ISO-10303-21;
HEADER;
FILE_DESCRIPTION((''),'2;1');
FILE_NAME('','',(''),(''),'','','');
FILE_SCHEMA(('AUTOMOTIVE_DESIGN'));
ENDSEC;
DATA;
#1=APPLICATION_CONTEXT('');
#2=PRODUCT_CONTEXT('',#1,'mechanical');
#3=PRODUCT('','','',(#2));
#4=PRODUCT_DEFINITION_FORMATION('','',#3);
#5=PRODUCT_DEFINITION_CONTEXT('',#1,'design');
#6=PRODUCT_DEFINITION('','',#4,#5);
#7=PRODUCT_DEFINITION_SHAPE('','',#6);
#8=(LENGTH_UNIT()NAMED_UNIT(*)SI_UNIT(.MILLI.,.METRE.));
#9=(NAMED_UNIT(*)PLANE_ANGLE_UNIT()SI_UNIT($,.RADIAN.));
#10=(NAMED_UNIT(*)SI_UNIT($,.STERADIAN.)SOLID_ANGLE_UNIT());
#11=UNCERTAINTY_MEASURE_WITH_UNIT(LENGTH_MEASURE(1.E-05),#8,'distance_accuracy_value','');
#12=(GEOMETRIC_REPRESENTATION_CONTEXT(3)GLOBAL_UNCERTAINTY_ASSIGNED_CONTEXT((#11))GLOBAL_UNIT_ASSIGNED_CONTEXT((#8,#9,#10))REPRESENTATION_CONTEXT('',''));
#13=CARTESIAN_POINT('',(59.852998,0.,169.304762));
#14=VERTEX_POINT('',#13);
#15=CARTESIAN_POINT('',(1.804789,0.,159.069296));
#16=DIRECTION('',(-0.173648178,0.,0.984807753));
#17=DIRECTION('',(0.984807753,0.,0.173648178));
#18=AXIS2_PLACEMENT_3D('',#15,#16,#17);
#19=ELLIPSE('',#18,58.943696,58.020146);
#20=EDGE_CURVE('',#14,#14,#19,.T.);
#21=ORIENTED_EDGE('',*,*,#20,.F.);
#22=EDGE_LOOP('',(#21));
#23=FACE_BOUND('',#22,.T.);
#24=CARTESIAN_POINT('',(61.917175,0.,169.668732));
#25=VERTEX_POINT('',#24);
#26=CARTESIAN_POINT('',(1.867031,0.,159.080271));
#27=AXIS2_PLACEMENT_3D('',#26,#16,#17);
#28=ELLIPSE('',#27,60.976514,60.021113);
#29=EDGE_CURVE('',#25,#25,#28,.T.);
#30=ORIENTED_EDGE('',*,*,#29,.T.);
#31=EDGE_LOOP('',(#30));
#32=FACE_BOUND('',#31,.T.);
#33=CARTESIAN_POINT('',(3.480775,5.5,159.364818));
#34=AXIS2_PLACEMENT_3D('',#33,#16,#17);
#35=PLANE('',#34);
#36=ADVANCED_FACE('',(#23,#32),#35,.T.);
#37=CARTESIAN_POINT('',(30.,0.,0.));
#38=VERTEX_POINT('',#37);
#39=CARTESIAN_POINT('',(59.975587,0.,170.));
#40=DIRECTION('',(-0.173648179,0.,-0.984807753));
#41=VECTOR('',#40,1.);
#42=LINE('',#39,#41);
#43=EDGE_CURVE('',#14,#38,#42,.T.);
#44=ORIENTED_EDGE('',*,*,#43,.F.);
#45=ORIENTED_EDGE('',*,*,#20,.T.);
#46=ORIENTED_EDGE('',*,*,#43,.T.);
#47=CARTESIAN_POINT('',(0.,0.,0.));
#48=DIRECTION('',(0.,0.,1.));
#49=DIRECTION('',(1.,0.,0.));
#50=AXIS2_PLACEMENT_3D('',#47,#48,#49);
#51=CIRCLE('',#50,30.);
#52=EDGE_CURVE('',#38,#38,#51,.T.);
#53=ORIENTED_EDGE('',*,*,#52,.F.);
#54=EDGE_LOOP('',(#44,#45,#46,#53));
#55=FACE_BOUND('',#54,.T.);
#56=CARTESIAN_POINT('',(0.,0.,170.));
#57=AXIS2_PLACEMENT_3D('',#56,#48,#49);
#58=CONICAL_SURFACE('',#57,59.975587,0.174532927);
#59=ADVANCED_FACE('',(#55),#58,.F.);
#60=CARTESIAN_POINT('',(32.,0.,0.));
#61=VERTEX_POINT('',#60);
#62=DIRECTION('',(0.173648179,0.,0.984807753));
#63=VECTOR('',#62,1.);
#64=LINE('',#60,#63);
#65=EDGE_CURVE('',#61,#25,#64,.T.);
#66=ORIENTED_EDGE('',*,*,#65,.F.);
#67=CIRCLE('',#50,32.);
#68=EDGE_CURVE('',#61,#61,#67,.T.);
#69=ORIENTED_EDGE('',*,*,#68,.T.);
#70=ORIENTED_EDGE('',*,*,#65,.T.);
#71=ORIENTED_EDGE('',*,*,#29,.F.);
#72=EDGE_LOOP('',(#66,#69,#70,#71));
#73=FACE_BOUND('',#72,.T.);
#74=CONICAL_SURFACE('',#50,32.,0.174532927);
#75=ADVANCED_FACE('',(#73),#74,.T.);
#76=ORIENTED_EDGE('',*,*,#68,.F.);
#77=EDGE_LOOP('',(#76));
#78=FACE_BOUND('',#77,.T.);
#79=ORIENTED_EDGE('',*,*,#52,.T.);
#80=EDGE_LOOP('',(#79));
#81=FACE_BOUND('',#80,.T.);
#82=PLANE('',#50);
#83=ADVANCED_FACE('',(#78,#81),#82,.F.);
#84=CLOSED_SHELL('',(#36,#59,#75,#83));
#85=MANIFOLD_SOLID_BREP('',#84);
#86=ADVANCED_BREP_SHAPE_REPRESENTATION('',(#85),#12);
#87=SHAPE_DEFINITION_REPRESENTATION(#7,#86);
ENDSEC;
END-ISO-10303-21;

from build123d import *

# Parameters (mm, degrees)
BOX_W           = 200
BOX_H           = 199
BOX_DEPTH       = 200
BOX_PITCH_ANGLE = -10


with BuildPart() as cube:
    # Box → Box (new body)
    with BuildSketch(Plane.XY):
        with Locations((100, 99.5)):
            Rectangle(BOX_W, BOX_H)
    extrude(amount=BOX_DEPTH)


with BuildPart() as cube_1:
    # Box pitch: moved
    add(cube.part.rotate(Axis((0, 0, 0), (0, 1, 0)), BOX_PITCH_ANGLE))


with BuildPart() as cube_2:
    # Box placement: moved
    add(cube_1.part.moved(Location((-95, -94, 142))))


with BuildPart() as side_shade_64mm_base:
    # Sketch → Revolution (revolve)
    with BuildSketch(Plane.XZ):
        Polygon((32, 0), (61.975587, 170), (59.975587, 170), (30, 0), align=None)
    revolve(axis=Axis((0, 0, 0), (0, 0, 1)))

    # Cut: cut Cube
    add(cube_2.part, mode=Mode.SUBTRACT)


solid = side_shade_64mm_base.part
